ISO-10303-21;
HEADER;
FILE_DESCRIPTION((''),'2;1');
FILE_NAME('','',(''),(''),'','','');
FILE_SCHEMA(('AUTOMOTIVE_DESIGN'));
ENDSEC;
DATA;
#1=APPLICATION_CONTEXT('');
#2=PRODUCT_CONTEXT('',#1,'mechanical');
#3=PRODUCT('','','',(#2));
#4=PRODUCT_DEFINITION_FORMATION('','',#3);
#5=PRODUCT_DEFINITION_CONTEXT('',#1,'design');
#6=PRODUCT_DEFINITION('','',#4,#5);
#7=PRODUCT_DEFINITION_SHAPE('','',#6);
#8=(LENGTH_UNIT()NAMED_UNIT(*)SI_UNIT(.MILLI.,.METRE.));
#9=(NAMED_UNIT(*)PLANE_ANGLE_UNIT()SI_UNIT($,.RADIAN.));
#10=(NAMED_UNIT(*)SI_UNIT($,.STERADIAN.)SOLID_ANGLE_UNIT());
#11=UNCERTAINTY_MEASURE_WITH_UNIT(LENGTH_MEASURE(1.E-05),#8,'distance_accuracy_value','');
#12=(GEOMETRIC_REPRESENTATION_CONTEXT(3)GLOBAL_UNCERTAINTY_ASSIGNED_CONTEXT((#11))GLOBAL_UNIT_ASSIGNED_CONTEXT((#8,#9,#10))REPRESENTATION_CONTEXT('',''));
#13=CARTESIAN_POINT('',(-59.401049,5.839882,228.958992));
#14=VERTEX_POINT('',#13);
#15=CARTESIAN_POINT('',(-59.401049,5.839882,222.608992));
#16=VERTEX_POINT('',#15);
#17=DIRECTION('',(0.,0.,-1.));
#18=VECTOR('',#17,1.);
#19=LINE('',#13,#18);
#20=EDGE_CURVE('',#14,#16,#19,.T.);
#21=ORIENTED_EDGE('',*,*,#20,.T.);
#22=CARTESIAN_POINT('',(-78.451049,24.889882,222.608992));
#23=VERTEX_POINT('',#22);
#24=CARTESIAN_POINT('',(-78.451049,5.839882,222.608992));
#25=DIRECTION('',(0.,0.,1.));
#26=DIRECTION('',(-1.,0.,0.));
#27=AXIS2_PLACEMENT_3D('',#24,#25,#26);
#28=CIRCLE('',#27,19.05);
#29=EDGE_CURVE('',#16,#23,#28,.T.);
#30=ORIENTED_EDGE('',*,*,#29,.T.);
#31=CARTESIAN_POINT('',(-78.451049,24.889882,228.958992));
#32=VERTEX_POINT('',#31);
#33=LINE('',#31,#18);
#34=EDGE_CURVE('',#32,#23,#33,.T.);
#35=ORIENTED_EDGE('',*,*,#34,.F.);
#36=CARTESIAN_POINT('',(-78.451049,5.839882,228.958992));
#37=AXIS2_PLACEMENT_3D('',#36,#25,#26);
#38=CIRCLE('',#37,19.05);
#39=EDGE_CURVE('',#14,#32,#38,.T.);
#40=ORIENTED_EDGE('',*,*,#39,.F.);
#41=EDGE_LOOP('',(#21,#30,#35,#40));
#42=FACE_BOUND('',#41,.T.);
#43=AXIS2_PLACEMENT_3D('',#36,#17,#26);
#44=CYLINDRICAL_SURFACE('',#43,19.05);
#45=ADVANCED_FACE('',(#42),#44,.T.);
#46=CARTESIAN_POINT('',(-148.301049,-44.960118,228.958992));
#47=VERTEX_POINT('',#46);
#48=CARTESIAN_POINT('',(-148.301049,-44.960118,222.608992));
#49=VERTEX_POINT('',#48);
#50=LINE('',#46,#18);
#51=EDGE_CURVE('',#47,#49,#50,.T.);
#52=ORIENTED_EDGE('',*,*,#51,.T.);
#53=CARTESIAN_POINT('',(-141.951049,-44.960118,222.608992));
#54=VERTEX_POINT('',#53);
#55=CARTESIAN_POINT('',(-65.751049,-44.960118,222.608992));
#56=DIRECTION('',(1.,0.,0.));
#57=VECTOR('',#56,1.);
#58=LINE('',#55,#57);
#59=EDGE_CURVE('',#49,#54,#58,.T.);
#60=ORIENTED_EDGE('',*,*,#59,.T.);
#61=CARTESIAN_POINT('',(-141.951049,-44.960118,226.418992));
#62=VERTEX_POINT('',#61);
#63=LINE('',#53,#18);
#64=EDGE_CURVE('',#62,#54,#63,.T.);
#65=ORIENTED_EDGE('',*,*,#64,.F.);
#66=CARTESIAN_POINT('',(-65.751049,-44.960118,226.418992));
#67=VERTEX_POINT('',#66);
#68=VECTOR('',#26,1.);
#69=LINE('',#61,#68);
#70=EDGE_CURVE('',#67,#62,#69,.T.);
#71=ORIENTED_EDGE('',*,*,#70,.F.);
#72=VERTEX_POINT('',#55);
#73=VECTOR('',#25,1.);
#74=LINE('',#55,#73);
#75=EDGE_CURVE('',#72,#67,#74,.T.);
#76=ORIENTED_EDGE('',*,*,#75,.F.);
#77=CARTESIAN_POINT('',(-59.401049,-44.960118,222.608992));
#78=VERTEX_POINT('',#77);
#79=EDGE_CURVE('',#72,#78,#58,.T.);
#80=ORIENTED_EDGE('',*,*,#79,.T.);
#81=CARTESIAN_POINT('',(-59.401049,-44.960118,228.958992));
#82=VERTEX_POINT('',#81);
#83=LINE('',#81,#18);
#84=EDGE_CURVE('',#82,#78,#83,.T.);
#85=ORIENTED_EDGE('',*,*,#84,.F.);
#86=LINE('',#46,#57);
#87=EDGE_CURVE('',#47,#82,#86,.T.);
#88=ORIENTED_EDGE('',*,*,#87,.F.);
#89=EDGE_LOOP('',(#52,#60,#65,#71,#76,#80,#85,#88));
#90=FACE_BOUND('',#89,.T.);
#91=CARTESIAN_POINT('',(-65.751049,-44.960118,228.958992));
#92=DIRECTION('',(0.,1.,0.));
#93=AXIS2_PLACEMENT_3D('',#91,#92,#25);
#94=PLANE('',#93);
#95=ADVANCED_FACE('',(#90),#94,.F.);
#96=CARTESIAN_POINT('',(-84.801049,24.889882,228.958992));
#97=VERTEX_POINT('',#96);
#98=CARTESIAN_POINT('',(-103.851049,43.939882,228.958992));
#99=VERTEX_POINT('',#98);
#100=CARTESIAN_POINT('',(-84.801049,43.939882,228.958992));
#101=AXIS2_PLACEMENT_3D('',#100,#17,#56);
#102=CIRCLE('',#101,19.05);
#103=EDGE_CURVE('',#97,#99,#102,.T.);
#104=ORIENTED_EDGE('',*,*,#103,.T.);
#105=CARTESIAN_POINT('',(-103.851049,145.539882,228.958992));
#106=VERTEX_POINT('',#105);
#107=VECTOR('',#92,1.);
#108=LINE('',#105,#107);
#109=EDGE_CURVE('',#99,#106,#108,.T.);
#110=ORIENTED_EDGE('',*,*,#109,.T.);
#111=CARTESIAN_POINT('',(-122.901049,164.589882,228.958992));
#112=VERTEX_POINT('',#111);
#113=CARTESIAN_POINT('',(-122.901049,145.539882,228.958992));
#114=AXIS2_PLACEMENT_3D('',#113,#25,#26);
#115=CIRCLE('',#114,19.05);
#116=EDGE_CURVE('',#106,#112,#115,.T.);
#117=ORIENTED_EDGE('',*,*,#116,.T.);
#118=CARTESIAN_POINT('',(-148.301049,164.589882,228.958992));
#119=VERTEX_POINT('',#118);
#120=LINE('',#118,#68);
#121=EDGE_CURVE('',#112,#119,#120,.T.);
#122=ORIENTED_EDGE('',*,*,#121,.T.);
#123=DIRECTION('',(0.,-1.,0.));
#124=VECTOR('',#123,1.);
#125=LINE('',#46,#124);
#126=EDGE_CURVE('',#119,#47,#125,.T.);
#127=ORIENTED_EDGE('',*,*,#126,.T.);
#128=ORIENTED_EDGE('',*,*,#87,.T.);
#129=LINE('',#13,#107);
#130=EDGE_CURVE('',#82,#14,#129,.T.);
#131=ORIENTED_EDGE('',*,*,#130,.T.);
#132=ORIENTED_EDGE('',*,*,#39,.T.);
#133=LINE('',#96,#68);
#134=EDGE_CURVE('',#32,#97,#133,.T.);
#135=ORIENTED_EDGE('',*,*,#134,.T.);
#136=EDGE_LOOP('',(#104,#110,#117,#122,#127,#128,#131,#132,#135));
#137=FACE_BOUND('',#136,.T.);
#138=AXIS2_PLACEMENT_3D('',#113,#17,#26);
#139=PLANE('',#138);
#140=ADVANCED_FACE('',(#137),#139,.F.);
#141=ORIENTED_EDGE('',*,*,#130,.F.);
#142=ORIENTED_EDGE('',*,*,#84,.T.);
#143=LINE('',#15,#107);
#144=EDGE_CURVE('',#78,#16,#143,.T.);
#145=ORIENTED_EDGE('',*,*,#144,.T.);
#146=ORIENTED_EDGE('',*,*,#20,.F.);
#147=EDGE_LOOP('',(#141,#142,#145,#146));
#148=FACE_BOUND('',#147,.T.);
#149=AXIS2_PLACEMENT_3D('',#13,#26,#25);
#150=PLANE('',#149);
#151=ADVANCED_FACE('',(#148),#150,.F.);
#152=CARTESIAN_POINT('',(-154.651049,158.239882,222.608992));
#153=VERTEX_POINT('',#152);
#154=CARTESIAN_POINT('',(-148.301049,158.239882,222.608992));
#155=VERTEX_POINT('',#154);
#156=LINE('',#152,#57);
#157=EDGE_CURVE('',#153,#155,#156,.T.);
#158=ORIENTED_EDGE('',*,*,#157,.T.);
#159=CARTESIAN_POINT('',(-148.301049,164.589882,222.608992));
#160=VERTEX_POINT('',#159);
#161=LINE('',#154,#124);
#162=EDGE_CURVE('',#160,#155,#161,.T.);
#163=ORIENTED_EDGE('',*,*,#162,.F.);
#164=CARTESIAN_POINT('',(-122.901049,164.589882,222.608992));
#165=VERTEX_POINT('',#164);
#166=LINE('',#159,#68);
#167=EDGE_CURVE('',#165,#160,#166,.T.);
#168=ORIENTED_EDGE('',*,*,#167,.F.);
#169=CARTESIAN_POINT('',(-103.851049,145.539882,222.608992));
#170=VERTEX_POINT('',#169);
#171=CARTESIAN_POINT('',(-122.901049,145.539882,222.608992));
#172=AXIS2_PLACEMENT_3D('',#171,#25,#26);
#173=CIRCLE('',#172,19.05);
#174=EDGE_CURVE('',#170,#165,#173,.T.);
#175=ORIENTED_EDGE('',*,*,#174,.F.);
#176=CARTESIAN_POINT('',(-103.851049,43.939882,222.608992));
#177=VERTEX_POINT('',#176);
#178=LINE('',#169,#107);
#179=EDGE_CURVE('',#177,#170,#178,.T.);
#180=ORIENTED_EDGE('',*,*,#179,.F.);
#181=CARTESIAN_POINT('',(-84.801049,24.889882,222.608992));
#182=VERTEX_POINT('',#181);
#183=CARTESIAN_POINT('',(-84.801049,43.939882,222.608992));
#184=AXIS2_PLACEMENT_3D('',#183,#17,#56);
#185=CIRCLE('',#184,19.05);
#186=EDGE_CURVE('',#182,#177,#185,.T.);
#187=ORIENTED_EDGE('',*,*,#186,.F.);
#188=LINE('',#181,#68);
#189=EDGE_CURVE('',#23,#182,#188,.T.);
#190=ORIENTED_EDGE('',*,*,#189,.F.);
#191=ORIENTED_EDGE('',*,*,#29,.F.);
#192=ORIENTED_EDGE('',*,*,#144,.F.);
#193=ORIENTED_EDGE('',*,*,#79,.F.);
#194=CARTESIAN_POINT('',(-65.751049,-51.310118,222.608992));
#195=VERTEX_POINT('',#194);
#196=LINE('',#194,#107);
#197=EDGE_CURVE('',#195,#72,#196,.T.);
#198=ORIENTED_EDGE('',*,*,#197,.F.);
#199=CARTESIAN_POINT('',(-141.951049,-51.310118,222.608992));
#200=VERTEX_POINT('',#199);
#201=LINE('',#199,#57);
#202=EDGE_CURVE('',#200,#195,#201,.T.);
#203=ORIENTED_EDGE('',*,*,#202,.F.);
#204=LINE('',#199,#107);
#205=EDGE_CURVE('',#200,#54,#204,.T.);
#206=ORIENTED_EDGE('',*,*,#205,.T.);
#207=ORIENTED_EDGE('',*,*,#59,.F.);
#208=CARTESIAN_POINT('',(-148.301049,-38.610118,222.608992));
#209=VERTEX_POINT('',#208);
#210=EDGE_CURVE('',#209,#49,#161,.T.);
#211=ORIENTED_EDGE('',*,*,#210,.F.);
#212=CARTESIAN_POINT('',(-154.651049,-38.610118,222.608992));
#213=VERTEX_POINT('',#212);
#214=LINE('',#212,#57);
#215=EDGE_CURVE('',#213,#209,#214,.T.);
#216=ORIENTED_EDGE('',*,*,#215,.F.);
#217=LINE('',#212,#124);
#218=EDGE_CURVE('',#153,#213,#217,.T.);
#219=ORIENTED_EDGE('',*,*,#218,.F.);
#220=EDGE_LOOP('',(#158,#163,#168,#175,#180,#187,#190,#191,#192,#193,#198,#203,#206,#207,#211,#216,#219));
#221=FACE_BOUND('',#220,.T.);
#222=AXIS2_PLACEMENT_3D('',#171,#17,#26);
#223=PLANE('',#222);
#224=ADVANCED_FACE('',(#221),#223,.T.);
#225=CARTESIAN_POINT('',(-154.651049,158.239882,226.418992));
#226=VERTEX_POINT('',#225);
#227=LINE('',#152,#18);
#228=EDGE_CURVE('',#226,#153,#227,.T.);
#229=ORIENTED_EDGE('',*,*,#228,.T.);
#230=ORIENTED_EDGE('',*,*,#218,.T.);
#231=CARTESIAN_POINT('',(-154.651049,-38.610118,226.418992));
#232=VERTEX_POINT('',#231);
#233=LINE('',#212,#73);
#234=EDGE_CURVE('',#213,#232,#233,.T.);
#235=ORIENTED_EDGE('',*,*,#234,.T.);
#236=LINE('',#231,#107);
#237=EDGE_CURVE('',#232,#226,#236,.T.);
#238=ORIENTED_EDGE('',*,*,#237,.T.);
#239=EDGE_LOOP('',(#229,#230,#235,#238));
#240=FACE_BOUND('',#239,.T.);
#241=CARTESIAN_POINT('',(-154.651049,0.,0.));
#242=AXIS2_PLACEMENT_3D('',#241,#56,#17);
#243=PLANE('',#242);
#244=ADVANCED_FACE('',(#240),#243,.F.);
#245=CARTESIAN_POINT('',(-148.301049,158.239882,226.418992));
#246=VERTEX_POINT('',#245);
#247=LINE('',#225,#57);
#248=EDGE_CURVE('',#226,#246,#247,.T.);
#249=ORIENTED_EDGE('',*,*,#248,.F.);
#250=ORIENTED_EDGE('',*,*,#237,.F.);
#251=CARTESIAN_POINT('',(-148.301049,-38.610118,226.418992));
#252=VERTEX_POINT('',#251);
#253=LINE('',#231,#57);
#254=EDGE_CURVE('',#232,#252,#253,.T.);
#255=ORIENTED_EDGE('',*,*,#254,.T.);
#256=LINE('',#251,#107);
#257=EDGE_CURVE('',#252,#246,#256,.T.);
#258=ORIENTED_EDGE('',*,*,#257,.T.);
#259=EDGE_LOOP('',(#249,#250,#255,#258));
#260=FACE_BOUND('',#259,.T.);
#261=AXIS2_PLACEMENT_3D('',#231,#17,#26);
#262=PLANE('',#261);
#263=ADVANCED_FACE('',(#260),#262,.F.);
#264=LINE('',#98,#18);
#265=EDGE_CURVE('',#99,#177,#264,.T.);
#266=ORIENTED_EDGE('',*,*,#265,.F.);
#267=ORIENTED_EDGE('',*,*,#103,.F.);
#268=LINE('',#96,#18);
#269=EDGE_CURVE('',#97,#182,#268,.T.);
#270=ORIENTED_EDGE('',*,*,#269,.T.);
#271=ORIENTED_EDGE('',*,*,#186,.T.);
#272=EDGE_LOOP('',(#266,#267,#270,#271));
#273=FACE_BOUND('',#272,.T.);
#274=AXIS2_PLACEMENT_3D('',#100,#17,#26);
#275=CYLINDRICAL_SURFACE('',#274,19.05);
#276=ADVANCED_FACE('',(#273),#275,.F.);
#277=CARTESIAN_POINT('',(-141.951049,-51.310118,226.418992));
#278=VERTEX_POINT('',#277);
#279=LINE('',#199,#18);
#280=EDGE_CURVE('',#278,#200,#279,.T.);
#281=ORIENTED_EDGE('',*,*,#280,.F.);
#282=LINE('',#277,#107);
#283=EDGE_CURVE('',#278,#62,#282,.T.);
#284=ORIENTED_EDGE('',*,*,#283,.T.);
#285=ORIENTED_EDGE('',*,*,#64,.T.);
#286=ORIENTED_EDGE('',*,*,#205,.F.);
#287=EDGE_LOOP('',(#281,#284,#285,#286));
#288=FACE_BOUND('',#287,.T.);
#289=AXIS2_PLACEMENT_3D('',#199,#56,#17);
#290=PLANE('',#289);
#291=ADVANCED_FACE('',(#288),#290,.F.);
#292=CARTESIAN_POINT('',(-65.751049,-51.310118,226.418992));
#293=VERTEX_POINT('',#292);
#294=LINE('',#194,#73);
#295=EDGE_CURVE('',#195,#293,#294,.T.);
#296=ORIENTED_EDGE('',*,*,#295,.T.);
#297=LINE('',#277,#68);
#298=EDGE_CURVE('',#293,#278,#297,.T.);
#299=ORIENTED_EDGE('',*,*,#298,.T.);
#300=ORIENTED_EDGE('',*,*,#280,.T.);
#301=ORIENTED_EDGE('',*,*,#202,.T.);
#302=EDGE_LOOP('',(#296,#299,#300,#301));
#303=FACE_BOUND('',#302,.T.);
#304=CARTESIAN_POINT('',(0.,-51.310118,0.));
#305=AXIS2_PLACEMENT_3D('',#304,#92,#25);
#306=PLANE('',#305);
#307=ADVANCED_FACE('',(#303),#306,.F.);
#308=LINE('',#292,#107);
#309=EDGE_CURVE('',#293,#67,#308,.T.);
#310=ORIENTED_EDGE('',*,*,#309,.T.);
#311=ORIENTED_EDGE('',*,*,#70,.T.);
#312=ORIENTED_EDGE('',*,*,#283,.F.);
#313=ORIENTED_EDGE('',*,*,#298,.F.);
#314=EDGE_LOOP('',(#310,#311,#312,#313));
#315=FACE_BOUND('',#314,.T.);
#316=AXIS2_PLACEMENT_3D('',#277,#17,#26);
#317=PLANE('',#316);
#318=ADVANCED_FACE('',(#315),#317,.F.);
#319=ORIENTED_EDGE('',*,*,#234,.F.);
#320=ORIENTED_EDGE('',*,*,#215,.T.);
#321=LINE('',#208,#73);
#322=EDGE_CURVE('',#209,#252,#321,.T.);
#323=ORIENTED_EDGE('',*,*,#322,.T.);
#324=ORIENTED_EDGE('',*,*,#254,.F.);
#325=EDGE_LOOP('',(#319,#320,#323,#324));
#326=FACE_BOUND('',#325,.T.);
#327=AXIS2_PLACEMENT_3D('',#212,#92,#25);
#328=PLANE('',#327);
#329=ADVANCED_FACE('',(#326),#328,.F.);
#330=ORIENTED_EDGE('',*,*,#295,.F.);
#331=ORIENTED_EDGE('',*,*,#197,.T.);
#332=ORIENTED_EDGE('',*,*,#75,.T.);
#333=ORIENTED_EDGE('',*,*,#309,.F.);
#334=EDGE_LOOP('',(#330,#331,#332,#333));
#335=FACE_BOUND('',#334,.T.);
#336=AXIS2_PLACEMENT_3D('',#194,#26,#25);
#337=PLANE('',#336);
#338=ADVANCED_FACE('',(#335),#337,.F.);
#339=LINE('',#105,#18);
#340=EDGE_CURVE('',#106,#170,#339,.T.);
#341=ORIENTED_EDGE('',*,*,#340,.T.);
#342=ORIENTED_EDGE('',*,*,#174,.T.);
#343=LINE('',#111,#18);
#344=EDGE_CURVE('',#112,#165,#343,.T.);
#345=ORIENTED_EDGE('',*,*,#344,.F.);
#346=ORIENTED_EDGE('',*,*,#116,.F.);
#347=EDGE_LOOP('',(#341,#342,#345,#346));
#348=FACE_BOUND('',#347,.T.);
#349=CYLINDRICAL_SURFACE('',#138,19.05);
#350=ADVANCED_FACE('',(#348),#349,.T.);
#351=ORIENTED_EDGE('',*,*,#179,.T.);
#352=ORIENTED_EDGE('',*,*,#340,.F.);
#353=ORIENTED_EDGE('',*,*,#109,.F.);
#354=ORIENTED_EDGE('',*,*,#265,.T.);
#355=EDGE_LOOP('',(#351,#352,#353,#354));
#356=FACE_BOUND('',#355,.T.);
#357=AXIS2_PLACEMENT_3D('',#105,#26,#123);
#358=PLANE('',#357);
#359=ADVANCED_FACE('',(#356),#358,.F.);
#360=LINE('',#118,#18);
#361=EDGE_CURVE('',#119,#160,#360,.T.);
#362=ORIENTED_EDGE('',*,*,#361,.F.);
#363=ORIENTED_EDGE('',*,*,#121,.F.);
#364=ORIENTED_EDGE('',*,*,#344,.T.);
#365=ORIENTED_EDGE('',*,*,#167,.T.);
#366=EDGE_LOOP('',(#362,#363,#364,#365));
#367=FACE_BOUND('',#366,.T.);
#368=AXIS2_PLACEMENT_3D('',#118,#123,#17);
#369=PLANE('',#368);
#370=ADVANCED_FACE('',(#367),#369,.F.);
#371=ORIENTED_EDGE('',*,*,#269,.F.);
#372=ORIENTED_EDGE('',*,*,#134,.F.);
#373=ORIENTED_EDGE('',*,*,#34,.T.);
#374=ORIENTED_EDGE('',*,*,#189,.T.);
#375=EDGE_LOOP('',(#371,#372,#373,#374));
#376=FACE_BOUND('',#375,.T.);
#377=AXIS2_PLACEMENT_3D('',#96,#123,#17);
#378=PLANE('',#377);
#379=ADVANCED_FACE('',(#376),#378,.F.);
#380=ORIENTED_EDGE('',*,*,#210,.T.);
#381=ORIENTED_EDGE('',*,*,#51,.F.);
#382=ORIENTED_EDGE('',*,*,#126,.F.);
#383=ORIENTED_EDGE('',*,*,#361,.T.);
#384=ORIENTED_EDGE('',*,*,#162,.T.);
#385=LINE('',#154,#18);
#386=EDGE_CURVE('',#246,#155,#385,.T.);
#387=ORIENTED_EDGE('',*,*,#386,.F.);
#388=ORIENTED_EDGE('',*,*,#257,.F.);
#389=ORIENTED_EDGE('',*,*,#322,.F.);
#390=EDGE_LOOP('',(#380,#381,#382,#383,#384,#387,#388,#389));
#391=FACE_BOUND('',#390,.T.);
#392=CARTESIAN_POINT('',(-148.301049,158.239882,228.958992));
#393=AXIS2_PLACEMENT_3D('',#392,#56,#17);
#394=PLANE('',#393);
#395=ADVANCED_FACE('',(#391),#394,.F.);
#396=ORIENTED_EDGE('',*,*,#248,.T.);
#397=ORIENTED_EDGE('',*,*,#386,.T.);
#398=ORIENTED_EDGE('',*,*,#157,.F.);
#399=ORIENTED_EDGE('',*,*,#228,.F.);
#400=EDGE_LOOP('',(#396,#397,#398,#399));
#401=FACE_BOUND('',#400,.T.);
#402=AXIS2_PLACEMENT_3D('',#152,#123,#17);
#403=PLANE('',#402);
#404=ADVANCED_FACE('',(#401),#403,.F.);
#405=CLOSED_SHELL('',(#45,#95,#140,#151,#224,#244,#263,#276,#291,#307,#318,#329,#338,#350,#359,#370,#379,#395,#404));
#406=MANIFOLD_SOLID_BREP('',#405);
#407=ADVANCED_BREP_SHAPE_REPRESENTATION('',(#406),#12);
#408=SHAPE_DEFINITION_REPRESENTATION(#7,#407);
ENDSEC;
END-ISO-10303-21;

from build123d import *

# Parameters (mm, degrees)
SALIENTE_EXTRUIR3_DEPTH = 6.35
CROQUIS5_W              = 2.54
CROQUIS5_H              = 196.85
CORTAR_EXTRUIR1_DEPTH   = 6.35
CROQUIS6_W              = 6.35
CROQUIS6_H              = 196.85
CROQUIS6_W_2            = 76.2
CROQUIS6_H_2            = 6.35
CORTAR_EXTRUIR2_DEPTH   = 7.35
CROQUIS7_W              = 3.81
CROQUIS7_H              = 196.85
SALIENTE_EXTRUIR5_DEPTH = 6.35
CROQUIS8_W              = 76.2
CROQUIS8_H              = 3.81
SALIENTE_EXTRUIR6_DEPTH = 6.35


with BuildPart() as part:
    # Croquis2 → Saliente-Extruir3 (new body)
    with BuildSketch(Plane.XY):
        with BuildLine():
            Line((0, 0), (6.35, 0))
            Line((6.35, 0), (6.35, -6.35))
            Line((6.35, -6.35), (82.55, -6.35))
            Line((82.55, -6.35), (82.55, 0))
            Line((82.55, 0), (88.9, 0))
            Line((88.9, 0), (88.9, 50.8))
            ThreePointArc((88.9, 50.8), (83.320384182, 64.270384182), (69.85, 69.85))
            Line((69.85, 69.85), (63.5, 69.85))
            ThreePointArc((63.5, 69.85), (50.029615818, 75.429615818), (44.45, 88.9))
            Line((44.45, 88.9), (44.45, 190.5))
            ThreePointArc((44.45, 190.5), (38.870384182, 203.970384182), (25.4, 209.55))
            Line((25.4, 209.55), (0, 209.55))
            Line((0, 209.55), (0, 203.2))
            Line((0, 203.2), (-6.35, 203.2))
            Line((-6.35, 203.2), (-6.35, 6.35))
            Line((-6.35, 6.35), (0, 6.35))
            Line((0, 6.35), (0, 0))
        make_face()
    extrude(amount=SALIENTE_EXTRUIR3_DEPTH)

    # Croquis5 → Cortar-Extruir1 (cut)
    with BuildSketch(Plane.ZY.offset(6.35)):
        with Locations((1.27, 104.775)):
            Rectangle(CROQUIS5_W, CROQUIS5_H)
    extrude(amount=-CORTAR_EXTRUIR1_DEPTH, mode=Mode.SUBTRACT)


with BuildPart() as part_1:
    # Sólido-Mover/Copiar1: moved
    add(part.part.moved(Location((-148.301048564, -44.960118156, 222.608991853))))

    # Croquis6 → Cortar-Extruir2 (cut, through all)
    with BuildSketch(Plane.XY.offset(228.958991853)):
        with Locations((-151.476048564, 59.814881844)):
            Rectangle(CROQUIS6_W, CROQUIS6_H)
        with Locations((-103.851048564, -48.135118156)):
            Rectangle(CROQUIS6_W_2, CROQUIS6_H_2)
    extrude(amount=-CORTAR_EXTRUIR2_DEPTH, mode=Mode.SUBTRACT)

    # Croquis7 → Saliente-Extruir5 (add)
    with BuildSketch(Plane.ZY.offset(148.301048564)):
        with Locations((224.513991853, 59.814881844)):
            Rectangle(CROQUIS7_W, CROQUIS7_H)
    extrude(amount=SALIENTE_EXTRUIR5_DEPTH)

    # Croquis8 → Saliente-Extruir6 (add)
    with BuildSketch(Plane(origin=(0, -44.960118156, 0), x_dir=(-1, 0, 0), z_dir=(0, -1, 0))):
        with Locations((103.851048564, -224.513991853)):
            Rectangle(CROQUIS8_W, CROQUIS8_H)
    extrude(amount=SALIENTE_EXTRUIR6_DEPTH)


solid = part_1.part
